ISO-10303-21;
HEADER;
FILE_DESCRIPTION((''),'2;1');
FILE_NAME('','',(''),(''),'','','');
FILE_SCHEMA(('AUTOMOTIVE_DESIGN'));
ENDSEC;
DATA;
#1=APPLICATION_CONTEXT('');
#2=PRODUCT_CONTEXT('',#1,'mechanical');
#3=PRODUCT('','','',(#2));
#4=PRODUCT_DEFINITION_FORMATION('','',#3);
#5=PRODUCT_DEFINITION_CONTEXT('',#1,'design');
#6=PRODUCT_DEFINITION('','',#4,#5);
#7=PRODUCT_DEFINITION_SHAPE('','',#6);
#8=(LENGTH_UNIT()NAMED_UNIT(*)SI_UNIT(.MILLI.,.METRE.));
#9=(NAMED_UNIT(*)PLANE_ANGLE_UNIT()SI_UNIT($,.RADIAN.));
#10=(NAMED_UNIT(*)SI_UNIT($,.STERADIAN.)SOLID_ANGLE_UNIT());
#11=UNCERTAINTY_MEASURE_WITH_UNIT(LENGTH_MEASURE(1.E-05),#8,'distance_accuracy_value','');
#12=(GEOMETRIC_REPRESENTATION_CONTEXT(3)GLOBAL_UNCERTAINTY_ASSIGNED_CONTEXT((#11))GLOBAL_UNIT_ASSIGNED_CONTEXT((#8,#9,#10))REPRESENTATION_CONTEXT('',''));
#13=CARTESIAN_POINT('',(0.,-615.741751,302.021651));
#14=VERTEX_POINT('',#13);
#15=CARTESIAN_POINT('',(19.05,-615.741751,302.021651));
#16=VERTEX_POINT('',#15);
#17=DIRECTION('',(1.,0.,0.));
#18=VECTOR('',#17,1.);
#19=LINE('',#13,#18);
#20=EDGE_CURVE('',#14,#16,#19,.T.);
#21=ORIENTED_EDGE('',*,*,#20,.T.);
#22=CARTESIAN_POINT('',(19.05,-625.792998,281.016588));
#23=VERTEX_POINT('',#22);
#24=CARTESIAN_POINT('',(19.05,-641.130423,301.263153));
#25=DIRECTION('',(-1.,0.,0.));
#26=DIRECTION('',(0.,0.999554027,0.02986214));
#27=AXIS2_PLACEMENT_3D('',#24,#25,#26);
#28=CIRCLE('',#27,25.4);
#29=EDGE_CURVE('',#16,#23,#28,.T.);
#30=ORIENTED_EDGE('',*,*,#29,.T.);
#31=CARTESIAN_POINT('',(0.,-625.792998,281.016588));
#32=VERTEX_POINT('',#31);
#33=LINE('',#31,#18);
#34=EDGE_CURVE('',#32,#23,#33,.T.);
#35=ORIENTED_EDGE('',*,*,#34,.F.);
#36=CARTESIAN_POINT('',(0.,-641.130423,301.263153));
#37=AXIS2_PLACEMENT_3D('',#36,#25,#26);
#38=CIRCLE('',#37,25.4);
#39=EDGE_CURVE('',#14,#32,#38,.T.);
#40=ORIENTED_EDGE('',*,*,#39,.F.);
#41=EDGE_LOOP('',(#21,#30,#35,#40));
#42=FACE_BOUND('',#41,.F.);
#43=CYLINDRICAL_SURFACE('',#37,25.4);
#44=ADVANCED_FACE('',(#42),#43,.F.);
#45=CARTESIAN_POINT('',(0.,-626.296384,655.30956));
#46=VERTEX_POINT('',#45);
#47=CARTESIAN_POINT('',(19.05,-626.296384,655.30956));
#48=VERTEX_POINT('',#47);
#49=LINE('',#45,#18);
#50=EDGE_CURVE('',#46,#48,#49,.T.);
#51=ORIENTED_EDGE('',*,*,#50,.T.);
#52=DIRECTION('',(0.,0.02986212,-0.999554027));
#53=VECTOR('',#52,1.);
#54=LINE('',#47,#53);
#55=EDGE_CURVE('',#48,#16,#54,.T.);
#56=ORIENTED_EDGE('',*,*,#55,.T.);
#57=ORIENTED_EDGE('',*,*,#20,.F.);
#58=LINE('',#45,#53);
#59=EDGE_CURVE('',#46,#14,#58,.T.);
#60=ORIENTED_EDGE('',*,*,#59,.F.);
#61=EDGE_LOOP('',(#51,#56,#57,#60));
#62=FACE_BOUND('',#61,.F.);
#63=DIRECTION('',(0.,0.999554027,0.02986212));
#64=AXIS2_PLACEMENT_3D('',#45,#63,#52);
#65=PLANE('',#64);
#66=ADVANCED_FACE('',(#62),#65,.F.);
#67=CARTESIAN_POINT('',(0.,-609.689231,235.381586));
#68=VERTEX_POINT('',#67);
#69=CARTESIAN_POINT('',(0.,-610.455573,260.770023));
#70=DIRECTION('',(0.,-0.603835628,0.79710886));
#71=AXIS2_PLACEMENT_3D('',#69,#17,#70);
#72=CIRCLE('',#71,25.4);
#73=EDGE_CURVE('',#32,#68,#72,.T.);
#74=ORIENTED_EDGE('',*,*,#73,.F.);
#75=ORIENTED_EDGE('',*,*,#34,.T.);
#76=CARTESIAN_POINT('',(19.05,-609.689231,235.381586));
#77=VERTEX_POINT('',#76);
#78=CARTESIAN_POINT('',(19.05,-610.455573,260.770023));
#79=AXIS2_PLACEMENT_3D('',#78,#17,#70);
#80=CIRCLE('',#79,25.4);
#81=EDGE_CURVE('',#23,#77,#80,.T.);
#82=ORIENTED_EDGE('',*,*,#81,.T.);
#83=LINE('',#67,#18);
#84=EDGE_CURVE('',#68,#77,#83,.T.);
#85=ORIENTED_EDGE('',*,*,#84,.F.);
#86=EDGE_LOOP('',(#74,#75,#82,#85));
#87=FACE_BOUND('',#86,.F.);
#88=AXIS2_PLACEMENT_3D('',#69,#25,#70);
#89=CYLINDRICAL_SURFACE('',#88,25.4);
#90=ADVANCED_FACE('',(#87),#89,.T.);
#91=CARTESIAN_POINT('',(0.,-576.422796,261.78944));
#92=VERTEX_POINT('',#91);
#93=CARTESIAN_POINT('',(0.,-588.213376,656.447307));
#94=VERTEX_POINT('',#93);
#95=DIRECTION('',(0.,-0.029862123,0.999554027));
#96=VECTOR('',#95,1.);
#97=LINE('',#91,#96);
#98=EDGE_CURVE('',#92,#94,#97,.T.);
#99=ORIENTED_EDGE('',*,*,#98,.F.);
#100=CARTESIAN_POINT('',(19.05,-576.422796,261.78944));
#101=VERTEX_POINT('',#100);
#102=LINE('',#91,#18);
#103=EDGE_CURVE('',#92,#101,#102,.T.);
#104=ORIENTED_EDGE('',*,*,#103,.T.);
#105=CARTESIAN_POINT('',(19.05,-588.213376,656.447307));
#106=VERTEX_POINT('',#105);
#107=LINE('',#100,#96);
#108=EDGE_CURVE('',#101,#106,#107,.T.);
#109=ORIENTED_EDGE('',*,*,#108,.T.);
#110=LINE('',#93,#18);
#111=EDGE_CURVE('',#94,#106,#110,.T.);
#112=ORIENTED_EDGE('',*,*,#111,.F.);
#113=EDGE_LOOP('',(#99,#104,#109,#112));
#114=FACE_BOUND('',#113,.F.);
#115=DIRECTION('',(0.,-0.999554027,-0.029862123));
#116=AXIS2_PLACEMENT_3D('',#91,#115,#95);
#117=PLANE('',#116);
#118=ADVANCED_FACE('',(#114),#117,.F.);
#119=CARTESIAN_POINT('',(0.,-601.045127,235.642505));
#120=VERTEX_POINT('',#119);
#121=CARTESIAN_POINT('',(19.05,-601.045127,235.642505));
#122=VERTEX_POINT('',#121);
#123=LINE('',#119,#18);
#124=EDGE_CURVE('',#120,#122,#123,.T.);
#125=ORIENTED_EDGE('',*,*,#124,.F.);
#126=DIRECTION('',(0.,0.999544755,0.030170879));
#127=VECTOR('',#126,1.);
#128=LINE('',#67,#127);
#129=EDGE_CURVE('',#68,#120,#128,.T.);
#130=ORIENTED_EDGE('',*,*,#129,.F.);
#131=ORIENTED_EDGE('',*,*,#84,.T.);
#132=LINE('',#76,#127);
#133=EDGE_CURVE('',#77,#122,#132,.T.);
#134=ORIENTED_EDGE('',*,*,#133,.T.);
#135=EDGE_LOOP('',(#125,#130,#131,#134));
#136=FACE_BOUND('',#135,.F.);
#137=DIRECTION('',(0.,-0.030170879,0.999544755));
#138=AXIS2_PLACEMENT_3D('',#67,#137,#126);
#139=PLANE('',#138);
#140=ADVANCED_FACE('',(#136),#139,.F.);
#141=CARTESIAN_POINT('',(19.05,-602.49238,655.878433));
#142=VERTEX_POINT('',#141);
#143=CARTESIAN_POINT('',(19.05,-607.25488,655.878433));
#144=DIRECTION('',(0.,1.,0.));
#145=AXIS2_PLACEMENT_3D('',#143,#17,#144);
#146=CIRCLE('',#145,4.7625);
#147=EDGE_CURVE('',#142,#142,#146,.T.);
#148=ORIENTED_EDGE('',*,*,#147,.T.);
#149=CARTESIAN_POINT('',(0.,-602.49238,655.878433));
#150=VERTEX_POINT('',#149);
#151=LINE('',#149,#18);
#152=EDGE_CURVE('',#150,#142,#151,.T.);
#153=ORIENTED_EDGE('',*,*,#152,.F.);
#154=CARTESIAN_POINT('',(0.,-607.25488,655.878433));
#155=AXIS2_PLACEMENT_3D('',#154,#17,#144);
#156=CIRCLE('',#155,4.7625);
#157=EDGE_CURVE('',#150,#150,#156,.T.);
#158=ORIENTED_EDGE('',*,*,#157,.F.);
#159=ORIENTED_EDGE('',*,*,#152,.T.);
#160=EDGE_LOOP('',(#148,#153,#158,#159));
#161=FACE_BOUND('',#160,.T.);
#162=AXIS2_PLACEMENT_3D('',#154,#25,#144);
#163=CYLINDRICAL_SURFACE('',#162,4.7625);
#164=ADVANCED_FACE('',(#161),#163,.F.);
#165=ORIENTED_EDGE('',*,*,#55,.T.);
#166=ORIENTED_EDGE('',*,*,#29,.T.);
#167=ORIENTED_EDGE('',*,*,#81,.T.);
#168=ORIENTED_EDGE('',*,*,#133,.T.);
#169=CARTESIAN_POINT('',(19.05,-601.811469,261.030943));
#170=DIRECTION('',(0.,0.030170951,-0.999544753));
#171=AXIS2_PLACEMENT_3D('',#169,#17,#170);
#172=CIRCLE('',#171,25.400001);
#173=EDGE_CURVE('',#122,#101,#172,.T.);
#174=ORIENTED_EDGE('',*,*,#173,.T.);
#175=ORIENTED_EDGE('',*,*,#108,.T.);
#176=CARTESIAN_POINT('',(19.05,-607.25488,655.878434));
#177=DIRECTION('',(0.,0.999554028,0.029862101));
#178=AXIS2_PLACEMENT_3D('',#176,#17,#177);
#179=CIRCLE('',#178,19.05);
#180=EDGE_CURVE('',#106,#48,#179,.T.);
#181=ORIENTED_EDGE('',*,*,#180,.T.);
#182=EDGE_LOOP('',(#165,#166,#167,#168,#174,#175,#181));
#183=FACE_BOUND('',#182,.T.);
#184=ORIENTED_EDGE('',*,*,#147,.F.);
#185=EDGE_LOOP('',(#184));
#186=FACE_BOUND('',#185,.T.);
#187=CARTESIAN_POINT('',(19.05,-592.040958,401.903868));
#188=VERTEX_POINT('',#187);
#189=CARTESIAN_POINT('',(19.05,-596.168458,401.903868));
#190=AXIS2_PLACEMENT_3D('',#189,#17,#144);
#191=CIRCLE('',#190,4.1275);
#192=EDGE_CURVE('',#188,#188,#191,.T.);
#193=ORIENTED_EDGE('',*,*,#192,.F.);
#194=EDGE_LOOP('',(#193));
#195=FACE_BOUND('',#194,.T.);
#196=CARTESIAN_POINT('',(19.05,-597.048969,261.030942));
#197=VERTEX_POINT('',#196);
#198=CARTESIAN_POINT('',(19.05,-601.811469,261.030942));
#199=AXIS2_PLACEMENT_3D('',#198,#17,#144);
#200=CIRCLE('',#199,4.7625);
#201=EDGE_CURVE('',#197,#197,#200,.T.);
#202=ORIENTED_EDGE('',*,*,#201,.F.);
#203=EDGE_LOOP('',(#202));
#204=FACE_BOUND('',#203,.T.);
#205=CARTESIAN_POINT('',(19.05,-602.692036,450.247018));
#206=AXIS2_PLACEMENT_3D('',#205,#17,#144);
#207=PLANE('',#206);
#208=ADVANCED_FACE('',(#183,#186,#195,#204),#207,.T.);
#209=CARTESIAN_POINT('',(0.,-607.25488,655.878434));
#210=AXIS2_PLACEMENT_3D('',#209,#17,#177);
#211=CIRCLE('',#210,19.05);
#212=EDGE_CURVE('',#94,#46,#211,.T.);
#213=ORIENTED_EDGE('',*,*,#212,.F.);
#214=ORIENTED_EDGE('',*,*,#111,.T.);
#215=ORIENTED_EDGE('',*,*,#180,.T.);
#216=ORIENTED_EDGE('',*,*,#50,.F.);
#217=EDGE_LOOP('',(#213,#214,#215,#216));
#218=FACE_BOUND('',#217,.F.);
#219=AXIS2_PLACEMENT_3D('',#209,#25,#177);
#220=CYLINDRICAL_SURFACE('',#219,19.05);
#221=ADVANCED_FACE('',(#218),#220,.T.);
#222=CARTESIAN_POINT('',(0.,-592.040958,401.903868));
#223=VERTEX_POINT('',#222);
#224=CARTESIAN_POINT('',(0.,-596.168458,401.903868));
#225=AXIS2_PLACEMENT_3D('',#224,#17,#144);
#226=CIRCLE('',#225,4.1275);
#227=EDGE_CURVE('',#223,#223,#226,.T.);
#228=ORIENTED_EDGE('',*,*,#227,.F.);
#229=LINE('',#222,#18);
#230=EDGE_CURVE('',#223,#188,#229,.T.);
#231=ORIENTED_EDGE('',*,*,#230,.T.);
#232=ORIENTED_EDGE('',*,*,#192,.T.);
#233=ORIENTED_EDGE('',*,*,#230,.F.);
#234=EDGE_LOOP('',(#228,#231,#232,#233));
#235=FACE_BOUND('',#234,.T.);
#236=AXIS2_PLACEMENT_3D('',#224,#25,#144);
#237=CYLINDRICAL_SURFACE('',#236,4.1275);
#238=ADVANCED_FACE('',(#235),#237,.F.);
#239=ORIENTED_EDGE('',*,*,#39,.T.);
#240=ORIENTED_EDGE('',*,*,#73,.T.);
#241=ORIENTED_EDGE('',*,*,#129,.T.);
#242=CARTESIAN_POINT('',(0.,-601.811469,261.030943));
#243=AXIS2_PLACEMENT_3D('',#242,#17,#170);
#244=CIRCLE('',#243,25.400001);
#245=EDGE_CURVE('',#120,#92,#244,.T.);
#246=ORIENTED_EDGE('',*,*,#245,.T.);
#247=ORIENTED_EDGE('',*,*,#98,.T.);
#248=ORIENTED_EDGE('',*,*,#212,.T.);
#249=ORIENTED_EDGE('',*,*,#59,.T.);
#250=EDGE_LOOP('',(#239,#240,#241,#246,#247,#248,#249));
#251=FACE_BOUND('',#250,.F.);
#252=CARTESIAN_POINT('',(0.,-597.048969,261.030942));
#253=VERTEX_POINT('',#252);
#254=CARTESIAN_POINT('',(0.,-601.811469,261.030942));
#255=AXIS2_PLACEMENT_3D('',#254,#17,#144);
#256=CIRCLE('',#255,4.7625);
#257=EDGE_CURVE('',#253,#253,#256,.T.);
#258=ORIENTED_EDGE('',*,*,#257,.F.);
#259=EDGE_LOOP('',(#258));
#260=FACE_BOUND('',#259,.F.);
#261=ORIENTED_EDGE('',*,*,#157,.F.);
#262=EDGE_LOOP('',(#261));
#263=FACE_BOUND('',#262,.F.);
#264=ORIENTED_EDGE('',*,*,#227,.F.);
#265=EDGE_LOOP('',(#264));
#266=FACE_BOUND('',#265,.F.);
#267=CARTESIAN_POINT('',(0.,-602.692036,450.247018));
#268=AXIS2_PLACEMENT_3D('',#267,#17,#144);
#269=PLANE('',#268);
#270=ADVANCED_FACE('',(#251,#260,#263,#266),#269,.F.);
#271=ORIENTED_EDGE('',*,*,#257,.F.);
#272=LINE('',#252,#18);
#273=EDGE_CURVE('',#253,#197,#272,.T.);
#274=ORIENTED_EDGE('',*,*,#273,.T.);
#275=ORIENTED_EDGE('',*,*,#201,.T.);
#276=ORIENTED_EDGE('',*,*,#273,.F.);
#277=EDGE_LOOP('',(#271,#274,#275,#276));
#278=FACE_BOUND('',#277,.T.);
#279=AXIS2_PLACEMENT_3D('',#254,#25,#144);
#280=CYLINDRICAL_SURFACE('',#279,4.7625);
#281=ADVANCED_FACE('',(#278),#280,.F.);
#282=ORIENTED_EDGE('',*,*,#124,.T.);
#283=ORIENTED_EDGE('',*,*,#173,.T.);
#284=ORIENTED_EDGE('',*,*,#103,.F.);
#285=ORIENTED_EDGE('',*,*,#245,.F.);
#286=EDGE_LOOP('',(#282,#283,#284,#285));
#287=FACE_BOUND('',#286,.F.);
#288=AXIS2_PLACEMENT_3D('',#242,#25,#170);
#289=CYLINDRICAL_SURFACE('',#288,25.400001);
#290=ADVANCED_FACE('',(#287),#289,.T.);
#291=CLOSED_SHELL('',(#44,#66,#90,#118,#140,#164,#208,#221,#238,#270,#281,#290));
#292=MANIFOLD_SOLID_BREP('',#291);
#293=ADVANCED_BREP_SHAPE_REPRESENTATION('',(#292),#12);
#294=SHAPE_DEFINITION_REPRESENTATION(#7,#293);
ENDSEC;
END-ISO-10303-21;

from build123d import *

# Parameters (mm, degrees)
F2_R     = 4.7625
F2_R_2   = 4.1275
F3_DEPTH = 19.05


with BuildPart() as f3:
    # F2 (on Right) → F3 (new body)
    with BuildSketch(Plane.YZ):
        with BuildLine():
            ThreePointArc((-625.792998, 281.016588), (-634.407973, 252.317654), (-609.689231, 235.381586))
            Line((-609.689231, 235.381586), (-601.045127, 235.642505))
            ThreePointArc((-601.045127, 235.642505), (-583.319937, 243.617635), (-576.422796, 261.78944))
            Line((-576.422796, 261.78944), (-588.213376, 656.447307))
            ThreePointArc((-588.213376, 656.447307), (-607.823753, 674.919938), (-626.296384, 655.30956))
            Line((-626.296384, 655.30956), (-615.741751, 302.021651))
            ThreePointArc((-615.741751, 302.021651), (-618.218485, 290.299436), (-625.792998, 281.016588))
        make_face()
        with Locations((-601.811469, 261.030942)):
            Circle(F2_R, mode=Mode.SUBTRACT)
        with Locations((-596.168458, 401.903868)):
            Circle(F2_R_2, mode=Mode.SUBTRACT)
        with Locations((-607.25488, 655.878433)):
            Circle(F2_R, mode=Mode.SUBTRACT)
    extrude(amount=F3_DEPTH)


solid = f3.part
